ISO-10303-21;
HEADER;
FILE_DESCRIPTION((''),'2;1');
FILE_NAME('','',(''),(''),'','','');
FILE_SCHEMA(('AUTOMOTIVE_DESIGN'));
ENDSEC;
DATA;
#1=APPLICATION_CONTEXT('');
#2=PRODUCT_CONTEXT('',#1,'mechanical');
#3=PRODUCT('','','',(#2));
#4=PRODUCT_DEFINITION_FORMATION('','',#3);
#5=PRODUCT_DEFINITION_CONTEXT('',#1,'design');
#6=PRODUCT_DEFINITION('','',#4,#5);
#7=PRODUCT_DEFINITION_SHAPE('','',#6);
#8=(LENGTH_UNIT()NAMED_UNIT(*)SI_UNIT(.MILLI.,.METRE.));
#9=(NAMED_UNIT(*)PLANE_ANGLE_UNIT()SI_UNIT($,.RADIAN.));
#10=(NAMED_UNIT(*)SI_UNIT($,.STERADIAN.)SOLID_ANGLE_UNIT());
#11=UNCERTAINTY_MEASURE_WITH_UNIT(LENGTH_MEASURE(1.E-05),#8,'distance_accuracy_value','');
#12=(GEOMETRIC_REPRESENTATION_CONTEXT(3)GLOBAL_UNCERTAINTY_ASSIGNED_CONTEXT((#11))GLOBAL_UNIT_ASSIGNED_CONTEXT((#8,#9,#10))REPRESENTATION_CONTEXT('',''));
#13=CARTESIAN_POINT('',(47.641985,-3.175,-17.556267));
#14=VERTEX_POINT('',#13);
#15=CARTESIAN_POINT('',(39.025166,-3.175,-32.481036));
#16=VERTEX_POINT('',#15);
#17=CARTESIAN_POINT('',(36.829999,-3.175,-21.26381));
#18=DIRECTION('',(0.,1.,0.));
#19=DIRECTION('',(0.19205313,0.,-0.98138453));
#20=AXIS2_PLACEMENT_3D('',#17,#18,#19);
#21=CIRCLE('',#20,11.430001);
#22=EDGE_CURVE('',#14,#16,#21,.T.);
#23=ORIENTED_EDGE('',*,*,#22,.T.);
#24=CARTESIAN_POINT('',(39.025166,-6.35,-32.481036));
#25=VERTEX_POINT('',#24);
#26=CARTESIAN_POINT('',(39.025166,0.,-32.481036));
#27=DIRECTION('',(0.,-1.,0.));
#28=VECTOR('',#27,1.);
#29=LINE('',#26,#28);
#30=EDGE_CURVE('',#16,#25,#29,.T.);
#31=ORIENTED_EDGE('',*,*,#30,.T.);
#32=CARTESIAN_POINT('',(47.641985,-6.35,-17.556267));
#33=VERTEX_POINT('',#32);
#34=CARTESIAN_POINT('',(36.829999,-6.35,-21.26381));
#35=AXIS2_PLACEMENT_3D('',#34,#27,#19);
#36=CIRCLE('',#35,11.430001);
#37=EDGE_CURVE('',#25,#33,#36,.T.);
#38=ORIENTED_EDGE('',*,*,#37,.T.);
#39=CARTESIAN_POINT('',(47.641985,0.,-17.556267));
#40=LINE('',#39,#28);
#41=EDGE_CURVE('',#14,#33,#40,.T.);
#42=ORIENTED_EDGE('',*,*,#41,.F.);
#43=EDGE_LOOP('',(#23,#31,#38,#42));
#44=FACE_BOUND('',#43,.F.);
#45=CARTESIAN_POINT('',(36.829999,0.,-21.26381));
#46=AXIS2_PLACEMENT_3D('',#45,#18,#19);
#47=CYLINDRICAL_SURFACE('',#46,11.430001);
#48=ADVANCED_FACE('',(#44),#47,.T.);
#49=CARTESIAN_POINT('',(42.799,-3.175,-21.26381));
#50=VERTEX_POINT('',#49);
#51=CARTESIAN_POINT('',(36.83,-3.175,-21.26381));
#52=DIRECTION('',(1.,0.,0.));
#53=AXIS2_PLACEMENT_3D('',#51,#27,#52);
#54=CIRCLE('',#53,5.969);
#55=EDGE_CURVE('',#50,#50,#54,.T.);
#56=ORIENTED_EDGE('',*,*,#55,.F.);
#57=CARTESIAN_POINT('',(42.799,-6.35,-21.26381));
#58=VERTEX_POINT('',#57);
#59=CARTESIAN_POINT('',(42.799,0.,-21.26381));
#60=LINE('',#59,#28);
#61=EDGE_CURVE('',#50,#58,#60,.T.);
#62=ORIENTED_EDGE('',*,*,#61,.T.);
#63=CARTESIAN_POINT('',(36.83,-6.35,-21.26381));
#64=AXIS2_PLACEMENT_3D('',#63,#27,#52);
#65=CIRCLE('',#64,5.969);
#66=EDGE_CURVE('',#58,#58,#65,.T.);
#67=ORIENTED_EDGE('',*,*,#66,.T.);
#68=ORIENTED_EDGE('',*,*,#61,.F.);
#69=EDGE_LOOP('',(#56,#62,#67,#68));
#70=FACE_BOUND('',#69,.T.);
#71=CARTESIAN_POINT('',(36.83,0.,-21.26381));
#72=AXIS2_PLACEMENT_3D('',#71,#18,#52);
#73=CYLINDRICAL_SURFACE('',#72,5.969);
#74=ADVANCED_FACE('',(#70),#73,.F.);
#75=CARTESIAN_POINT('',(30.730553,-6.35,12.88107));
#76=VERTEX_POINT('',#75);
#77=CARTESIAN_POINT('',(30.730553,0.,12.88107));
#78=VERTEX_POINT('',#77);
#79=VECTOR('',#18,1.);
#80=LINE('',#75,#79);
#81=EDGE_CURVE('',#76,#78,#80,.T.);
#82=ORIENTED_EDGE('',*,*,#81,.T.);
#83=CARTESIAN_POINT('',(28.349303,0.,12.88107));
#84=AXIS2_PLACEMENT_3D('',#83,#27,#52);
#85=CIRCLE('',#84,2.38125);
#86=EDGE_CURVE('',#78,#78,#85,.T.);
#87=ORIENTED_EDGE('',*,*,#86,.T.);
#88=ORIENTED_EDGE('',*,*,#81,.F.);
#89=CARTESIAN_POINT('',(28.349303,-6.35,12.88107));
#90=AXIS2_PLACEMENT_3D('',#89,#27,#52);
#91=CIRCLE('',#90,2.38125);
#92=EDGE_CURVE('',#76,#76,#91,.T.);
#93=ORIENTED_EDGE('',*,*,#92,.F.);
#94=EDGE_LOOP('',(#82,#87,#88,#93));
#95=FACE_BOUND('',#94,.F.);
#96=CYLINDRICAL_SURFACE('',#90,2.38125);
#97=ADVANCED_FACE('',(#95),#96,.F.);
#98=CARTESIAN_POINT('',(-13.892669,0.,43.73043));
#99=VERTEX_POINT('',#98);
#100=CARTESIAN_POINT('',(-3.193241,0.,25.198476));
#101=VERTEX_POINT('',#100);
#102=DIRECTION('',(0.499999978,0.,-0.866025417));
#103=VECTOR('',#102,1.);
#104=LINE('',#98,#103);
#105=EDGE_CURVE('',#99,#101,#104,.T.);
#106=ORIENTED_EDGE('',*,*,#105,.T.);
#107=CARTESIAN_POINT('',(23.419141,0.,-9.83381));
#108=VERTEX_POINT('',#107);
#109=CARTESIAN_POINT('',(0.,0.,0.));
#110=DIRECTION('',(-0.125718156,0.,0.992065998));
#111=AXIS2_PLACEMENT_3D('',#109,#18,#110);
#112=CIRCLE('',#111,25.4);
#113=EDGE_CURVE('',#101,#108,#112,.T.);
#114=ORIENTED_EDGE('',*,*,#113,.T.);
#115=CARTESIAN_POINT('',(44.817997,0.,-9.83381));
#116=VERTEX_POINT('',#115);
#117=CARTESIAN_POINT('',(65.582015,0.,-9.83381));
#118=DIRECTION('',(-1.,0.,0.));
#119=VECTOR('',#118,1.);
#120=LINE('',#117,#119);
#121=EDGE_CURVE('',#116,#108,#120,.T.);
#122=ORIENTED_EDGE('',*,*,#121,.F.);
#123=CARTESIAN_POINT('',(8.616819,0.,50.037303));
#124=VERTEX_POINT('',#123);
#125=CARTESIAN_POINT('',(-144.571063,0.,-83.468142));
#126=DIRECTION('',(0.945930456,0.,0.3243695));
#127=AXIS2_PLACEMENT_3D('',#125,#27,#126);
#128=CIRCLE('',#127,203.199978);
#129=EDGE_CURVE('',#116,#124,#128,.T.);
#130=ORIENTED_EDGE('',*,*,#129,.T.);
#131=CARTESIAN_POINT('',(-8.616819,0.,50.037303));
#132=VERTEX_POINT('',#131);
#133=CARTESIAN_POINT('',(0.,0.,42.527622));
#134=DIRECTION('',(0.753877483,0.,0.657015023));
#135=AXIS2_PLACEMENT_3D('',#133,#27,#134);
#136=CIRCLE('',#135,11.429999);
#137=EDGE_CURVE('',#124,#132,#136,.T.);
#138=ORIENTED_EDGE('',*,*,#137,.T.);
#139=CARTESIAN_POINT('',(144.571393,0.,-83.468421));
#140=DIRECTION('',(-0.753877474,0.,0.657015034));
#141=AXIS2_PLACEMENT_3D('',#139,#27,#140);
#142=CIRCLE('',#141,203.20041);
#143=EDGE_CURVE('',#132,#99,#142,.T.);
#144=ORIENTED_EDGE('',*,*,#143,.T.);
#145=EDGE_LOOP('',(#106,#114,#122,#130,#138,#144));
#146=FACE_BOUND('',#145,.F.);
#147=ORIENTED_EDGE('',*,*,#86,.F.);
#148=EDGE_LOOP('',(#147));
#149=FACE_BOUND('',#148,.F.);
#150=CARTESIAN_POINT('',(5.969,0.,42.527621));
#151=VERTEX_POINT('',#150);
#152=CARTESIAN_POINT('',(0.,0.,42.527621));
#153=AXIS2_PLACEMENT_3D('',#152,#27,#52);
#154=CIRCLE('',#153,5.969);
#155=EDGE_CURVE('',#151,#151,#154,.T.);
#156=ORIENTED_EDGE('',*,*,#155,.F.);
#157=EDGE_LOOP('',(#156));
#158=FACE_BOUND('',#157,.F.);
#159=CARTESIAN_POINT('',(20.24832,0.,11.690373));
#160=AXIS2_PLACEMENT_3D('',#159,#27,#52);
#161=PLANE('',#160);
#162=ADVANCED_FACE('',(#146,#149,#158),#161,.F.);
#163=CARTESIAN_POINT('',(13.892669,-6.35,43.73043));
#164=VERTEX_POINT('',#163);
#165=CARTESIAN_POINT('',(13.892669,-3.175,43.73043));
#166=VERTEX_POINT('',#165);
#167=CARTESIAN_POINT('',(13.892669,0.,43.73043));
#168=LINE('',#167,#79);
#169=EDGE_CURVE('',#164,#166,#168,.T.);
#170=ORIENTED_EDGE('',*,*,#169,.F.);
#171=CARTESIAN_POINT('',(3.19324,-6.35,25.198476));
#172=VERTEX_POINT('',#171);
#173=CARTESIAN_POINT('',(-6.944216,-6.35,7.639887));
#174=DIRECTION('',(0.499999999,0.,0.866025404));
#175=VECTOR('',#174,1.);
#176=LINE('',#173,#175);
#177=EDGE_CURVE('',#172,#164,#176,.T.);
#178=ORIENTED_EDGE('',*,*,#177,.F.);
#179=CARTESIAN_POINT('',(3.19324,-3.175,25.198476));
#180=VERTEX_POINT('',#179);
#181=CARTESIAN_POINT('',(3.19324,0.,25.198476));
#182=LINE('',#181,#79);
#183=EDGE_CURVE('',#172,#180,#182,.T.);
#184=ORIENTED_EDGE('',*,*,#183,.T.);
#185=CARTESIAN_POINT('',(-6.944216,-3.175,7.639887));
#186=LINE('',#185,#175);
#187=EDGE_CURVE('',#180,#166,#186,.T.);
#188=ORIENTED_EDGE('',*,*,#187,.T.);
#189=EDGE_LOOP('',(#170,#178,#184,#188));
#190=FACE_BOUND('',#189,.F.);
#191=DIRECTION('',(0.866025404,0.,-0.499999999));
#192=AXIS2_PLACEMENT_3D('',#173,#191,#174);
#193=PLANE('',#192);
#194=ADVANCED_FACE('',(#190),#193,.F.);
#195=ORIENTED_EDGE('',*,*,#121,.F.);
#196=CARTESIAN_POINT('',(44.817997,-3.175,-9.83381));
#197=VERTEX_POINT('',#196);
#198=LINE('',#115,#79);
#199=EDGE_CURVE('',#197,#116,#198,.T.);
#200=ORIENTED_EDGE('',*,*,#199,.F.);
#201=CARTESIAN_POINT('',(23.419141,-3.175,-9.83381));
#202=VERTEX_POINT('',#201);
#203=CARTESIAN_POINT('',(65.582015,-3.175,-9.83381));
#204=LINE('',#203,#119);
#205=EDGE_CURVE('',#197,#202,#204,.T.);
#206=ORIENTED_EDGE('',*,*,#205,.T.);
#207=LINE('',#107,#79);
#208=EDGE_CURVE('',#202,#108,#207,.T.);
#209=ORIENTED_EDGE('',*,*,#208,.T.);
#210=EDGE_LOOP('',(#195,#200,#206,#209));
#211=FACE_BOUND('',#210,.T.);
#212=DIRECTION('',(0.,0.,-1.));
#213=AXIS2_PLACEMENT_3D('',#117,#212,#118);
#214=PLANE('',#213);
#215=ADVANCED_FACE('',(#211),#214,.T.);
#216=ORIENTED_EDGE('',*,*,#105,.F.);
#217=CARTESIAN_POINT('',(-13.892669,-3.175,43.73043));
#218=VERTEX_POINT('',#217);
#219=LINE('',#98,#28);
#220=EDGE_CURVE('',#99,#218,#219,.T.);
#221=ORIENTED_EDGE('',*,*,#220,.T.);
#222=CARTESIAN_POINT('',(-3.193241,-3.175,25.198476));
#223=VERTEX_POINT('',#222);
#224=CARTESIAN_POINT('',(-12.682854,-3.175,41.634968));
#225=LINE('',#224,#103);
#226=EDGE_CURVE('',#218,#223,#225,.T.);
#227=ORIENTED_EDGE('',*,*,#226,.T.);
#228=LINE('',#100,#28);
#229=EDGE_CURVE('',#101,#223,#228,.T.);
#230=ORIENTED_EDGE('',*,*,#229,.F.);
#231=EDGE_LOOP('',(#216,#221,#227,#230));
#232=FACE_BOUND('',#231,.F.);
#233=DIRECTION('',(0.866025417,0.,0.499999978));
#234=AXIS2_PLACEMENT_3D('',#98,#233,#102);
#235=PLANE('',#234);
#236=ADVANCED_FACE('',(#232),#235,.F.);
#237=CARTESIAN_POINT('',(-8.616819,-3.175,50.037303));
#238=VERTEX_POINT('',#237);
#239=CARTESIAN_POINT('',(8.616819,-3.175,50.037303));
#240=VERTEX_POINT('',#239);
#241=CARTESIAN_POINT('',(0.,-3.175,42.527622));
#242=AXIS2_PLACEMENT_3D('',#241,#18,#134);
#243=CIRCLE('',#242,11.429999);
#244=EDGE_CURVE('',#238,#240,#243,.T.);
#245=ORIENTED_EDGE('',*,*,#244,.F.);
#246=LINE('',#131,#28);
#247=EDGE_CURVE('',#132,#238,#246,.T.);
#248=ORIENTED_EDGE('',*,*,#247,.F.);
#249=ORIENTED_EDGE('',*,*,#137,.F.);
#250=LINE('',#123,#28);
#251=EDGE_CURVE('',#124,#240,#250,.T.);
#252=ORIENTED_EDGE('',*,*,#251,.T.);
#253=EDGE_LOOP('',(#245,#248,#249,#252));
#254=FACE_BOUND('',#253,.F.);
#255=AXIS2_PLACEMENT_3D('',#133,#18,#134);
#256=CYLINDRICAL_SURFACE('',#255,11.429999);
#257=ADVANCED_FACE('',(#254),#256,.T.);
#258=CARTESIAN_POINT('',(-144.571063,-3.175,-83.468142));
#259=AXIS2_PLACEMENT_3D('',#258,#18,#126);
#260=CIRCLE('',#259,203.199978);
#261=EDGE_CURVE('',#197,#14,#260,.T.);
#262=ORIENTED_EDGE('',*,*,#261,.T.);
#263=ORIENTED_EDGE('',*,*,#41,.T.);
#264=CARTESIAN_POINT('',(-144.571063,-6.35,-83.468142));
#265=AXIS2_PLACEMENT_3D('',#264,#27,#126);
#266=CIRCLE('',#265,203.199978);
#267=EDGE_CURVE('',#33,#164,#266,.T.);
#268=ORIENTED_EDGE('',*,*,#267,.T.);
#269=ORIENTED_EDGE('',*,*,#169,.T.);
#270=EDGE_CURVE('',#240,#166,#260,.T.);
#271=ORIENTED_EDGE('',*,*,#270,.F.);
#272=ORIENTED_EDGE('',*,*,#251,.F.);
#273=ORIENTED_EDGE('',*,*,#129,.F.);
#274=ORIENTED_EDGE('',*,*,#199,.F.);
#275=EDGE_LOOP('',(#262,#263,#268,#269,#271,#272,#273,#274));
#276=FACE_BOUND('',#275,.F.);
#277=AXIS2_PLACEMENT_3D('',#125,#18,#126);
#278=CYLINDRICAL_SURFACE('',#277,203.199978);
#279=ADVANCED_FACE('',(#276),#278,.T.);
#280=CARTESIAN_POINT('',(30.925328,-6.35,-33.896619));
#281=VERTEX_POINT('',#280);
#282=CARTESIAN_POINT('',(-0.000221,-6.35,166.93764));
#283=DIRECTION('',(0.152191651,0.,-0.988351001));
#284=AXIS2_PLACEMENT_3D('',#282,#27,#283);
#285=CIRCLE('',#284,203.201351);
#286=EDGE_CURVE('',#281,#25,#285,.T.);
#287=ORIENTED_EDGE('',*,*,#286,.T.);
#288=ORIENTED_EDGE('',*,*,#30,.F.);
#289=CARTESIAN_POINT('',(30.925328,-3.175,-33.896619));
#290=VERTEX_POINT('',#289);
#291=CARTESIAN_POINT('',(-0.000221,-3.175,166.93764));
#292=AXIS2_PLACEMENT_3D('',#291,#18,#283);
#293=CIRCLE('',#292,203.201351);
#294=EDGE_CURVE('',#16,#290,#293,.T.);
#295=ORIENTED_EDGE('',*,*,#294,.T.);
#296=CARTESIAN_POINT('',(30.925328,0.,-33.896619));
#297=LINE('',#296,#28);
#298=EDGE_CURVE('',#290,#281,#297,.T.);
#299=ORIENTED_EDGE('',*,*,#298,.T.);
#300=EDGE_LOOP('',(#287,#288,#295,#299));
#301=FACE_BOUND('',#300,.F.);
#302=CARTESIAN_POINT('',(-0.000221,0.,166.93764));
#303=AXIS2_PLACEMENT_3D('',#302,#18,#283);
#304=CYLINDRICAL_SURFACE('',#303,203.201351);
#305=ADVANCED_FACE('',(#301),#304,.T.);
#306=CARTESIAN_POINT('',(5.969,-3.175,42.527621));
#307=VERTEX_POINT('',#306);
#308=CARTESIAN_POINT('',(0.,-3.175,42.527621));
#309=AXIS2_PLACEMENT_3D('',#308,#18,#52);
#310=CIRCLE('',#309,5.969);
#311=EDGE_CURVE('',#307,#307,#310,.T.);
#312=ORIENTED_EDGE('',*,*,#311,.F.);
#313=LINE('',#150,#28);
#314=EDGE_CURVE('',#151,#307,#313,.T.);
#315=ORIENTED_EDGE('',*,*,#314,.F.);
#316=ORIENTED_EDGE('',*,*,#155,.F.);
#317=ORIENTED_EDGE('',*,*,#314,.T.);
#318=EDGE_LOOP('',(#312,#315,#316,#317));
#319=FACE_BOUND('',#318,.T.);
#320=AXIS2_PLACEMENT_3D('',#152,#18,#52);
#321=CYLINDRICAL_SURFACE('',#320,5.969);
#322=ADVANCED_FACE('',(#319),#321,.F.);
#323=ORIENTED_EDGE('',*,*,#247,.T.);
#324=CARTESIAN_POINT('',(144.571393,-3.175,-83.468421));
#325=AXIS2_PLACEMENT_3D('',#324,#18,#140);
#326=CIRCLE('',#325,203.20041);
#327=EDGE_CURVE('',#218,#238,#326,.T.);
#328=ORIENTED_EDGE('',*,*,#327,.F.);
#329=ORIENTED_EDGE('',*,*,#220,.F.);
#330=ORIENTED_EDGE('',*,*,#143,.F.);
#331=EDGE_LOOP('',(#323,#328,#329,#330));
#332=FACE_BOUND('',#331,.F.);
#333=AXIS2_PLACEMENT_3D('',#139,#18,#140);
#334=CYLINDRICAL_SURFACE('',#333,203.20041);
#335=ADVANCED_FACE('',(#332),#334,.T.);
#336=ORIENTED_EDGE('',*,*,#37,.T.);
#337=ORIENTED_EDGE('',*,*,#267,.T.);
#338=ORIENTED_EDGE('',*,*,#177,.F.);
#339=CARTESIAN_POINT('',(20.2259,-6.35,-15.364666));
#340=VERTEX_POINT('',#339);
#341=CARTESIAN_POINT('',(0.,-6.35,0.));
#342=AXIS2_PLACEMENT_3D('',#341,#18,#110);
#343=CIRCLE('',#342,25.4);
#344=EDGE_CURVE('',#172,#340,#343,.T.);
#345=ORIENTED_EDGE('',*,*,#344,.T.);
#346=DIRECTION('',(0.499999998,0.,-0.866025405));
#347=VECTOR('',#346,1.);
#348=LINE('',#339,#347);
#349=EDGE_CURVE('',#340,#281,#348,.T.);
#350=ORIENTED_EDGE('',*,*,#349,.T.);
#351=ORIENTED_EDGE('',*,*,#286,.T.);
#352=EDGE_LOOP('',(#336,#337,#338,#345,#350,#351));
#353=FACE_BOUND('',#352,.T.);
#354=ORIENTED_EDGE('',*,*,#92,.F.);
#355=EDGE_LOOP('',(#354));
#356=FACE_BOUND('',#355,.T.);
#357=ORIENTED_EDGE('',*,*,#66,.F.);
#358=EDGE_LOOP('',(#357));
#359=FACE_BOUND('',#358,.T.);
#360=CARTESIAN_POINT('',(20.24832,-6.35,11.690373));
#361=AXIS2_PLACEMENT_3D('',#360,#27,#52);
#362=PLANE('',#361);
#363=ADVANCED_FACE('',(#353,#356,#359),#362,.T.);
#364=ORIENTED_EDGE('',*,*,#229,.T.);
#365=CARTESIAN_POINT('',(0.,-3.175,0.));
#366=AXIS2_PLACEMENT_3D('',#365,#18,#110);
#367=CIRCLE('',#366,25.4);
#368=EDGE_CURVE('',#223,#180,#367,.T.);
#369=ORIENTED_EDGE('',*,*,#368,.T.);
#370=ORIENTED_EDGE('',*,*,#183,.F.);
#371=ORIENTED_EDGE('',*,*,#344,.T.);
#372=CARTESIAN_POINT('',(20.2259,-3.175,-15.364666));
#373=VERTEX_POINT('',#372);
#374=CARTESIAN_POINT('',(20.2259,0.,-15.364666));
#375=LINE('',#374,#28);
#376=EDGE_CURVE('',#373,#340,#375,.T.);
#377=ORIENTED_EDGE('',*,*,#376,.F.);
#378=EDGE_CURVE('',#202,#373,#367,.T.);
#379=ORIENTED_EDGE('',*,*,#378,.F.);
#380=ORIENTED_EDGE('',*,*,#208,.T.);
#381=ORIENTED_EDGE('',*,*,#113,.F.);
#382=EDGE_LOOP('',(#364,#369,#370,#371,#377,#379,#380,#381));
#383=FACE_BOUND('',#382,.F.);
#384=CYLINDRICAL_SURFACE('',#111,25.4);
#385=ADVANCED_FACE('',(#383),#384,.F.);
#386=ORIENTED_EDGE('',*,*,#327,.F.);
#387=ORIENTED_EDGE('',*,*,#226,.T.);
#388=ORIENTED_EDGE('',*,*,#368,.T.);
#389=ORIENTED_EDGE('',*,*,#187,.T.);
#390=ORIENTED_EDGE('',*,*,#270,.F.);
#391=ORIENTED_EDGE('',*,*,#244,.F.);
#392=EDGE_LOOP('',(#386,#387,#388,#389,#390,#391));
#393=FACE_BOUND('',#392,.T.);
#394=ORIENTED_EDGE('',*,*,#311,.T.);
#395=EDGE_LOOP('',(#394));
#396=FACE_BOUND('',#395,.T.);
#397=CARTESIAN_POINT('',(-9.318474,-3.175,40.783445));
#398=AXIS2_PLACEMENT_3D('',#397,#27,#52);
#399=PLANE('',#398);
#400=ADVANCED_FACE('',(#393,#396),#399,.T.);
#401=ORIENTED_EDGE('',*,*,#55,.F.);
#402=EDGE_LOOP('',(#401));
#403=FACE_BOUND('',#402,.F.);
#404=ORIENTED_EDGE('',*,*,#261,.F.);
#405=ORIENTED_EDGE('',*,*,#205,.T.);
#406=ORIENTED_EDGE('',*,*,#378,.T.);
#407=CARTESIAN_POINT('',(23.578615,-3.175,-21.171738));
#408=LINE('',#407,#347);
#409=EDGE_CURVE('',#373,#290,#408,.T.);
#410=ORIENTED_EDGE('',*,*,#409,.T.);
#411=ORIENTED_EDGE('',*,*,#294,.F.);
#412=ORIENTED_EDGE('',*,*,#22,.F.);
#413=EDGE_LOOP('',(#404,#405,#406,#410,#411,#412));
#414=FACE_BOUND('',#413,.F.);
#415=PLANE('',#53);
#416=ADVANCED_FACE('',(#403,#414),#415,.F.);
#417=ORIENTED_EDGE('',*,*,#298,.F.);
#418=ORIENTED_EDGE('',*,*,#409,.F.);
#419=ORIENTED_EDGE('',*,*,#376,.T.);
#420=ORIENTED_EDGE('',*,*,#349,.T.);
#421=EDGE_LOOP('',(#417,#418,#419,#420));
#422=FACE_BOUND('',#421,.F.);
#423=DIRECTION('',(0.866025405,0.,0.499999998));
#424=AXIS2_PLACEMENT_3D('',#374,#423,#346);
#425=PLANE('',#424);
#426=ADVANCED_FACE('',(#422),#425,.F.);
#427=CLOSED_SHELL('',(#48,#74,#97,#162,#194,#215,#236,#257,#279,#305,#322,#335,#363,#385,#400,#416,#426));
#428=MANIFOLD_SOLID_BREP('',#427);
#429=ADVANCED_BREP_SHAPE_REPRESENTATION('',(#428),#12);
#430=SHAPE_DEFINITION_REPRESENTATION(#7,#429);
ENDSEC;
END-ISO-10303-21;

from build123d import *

# Parameters (mm, degrees)
F0_R     = 5.969
F1_DEPTH = 6.35
F3_DEPTH = 3.175
F4_R     = 5.969
F5_DEPTH = 3.175
F6_R     = 2.38125
F7_DEPTH = 25.4


with BuildPart() as f1:
    # F0 (on Front) → F1 (new body)
    with BuildSketch(Plane.XZ):
        with BuildLine():
            ThreePointArc((-3.193241, 25.198476), (21.997045, 12.7), (20.2259, -15.364666))
            Line((20.2259, -15.364666), (30.925328, -33.896619))
            ThreePointArc((30.925328, -33.896619), (34.982408, -33.229802), (39.025166, -32.481036))
            ThreePointArc((39.025166, -32.481036), (46.72867, -26.97881), (47.641985, -17.556267))
            ThreePointArc((47.641985, -17.556267), (31.40528, 18.131847), (8.616819, 50.037303))
            ThreePointArc((8.616819, 50.037303), (0, 53.957621), (-8.616819, 50.037303))
            ThreePointArc((-8.616819, 50.037303), (-11.286649, 46.910555), (-13.892669, 43.73043))
            Line((-13.892669, 43.73043), (-3.193241, 25.198476))
        make_face()
        with Locations((36.83, -21.26381)):
            Circle(F0_R, mode=Mode.SUBTRACT)
        with Locations((0, 42.527621)):
            Circle(F0_R, mode=Mode.SUBTRACT)
    extrude(amount=F1_DEPTH)

    # F2 (on face) → F3 (cut)
    with BuildSketch(Plane.XZ.offset(6.35)):
        Polygon((-39.208766, 26.267834), (-6.944216, 7.639887), (20.571818, 55.299056), (-11.692732, 73.927002), align=None)
    extrude(amount=-F3_DEPTH, mode=Mode.SUBTRACT)

    # F4 (on face) → F5 (cut)
    with BuildSketch(Plane.XZ):
        with Locations((36.83, -21.26381)):
            Circle(F4_R)
        with BuildLine():
            Line((65.582015, -59.232034), (65.582015, -9.83381))
            Line((65.582015, -9.83381), (44.817998, -9.83381))
            ThreePointArc((44.817998, -9.83381), (46.269057, -13.680753), (47.641985, -17.556267))
            ThreePointArc((47.641985, -17.556267), (46.72867, -26.97881), (39.025166, -32.481036))
            ThreePointArc((39.025166, -32.481036), (34.982408, -33.229802), (30.925328, -33.896619))
            Line((30.925328, -33.896619), (20.2259, -15.364666))
            ThreePointArc((20.2259, -15.364666), (21.997045, -12.7), (23.419141, -9.83381))
            Line((23.419141, -9.83381), (1.765535, -9.83381))
            Line((1.765535, -9.83381), (1.765535, -59.232034))
            Line((1.765535, -59.232034), (65.582015, -59.232034))
        make_face()
        with BuildLine():
            ThreePointArc((47.641985, -17.556267), (46.269057, -13.680753), (44.817998, -9.83381))
            Line((44.817998, -9.83381), (23.419141, -9.83381))
            ThreePointArc((23.419141, -9.83381), (21.997045, -12.7), (20.2259, -15.364666))
            Line((20.2259, -15.364666), (30.925328, -33.896619))
            ThreePointArc((30.925328, -33.896619), (34.982408, -33.229802), (39.025166, -32.481036))
            ThreePointArc((39.025166, -32.481036), (46.72867, -26.97881), (47.641985, -17.556267))
        make_face()
        with Locations((36.83, -21.26381)):
            Circle(F4_R, mode=Mode.SUBTRACT)
    extrude(amount=F5_DEPTH, mode=Mode.SUBTRACT)

    # F6 (on face) → F7 (cut)
    with BuildSketch(Plane.XZ.offset(6.35)):
        with Locations((28.349303, 12.88107)):
            Circle(F6_R)
    extrude(amount=-F7_DEPTH, mode=Mode.SUBTRACT)


solid = f1.part
